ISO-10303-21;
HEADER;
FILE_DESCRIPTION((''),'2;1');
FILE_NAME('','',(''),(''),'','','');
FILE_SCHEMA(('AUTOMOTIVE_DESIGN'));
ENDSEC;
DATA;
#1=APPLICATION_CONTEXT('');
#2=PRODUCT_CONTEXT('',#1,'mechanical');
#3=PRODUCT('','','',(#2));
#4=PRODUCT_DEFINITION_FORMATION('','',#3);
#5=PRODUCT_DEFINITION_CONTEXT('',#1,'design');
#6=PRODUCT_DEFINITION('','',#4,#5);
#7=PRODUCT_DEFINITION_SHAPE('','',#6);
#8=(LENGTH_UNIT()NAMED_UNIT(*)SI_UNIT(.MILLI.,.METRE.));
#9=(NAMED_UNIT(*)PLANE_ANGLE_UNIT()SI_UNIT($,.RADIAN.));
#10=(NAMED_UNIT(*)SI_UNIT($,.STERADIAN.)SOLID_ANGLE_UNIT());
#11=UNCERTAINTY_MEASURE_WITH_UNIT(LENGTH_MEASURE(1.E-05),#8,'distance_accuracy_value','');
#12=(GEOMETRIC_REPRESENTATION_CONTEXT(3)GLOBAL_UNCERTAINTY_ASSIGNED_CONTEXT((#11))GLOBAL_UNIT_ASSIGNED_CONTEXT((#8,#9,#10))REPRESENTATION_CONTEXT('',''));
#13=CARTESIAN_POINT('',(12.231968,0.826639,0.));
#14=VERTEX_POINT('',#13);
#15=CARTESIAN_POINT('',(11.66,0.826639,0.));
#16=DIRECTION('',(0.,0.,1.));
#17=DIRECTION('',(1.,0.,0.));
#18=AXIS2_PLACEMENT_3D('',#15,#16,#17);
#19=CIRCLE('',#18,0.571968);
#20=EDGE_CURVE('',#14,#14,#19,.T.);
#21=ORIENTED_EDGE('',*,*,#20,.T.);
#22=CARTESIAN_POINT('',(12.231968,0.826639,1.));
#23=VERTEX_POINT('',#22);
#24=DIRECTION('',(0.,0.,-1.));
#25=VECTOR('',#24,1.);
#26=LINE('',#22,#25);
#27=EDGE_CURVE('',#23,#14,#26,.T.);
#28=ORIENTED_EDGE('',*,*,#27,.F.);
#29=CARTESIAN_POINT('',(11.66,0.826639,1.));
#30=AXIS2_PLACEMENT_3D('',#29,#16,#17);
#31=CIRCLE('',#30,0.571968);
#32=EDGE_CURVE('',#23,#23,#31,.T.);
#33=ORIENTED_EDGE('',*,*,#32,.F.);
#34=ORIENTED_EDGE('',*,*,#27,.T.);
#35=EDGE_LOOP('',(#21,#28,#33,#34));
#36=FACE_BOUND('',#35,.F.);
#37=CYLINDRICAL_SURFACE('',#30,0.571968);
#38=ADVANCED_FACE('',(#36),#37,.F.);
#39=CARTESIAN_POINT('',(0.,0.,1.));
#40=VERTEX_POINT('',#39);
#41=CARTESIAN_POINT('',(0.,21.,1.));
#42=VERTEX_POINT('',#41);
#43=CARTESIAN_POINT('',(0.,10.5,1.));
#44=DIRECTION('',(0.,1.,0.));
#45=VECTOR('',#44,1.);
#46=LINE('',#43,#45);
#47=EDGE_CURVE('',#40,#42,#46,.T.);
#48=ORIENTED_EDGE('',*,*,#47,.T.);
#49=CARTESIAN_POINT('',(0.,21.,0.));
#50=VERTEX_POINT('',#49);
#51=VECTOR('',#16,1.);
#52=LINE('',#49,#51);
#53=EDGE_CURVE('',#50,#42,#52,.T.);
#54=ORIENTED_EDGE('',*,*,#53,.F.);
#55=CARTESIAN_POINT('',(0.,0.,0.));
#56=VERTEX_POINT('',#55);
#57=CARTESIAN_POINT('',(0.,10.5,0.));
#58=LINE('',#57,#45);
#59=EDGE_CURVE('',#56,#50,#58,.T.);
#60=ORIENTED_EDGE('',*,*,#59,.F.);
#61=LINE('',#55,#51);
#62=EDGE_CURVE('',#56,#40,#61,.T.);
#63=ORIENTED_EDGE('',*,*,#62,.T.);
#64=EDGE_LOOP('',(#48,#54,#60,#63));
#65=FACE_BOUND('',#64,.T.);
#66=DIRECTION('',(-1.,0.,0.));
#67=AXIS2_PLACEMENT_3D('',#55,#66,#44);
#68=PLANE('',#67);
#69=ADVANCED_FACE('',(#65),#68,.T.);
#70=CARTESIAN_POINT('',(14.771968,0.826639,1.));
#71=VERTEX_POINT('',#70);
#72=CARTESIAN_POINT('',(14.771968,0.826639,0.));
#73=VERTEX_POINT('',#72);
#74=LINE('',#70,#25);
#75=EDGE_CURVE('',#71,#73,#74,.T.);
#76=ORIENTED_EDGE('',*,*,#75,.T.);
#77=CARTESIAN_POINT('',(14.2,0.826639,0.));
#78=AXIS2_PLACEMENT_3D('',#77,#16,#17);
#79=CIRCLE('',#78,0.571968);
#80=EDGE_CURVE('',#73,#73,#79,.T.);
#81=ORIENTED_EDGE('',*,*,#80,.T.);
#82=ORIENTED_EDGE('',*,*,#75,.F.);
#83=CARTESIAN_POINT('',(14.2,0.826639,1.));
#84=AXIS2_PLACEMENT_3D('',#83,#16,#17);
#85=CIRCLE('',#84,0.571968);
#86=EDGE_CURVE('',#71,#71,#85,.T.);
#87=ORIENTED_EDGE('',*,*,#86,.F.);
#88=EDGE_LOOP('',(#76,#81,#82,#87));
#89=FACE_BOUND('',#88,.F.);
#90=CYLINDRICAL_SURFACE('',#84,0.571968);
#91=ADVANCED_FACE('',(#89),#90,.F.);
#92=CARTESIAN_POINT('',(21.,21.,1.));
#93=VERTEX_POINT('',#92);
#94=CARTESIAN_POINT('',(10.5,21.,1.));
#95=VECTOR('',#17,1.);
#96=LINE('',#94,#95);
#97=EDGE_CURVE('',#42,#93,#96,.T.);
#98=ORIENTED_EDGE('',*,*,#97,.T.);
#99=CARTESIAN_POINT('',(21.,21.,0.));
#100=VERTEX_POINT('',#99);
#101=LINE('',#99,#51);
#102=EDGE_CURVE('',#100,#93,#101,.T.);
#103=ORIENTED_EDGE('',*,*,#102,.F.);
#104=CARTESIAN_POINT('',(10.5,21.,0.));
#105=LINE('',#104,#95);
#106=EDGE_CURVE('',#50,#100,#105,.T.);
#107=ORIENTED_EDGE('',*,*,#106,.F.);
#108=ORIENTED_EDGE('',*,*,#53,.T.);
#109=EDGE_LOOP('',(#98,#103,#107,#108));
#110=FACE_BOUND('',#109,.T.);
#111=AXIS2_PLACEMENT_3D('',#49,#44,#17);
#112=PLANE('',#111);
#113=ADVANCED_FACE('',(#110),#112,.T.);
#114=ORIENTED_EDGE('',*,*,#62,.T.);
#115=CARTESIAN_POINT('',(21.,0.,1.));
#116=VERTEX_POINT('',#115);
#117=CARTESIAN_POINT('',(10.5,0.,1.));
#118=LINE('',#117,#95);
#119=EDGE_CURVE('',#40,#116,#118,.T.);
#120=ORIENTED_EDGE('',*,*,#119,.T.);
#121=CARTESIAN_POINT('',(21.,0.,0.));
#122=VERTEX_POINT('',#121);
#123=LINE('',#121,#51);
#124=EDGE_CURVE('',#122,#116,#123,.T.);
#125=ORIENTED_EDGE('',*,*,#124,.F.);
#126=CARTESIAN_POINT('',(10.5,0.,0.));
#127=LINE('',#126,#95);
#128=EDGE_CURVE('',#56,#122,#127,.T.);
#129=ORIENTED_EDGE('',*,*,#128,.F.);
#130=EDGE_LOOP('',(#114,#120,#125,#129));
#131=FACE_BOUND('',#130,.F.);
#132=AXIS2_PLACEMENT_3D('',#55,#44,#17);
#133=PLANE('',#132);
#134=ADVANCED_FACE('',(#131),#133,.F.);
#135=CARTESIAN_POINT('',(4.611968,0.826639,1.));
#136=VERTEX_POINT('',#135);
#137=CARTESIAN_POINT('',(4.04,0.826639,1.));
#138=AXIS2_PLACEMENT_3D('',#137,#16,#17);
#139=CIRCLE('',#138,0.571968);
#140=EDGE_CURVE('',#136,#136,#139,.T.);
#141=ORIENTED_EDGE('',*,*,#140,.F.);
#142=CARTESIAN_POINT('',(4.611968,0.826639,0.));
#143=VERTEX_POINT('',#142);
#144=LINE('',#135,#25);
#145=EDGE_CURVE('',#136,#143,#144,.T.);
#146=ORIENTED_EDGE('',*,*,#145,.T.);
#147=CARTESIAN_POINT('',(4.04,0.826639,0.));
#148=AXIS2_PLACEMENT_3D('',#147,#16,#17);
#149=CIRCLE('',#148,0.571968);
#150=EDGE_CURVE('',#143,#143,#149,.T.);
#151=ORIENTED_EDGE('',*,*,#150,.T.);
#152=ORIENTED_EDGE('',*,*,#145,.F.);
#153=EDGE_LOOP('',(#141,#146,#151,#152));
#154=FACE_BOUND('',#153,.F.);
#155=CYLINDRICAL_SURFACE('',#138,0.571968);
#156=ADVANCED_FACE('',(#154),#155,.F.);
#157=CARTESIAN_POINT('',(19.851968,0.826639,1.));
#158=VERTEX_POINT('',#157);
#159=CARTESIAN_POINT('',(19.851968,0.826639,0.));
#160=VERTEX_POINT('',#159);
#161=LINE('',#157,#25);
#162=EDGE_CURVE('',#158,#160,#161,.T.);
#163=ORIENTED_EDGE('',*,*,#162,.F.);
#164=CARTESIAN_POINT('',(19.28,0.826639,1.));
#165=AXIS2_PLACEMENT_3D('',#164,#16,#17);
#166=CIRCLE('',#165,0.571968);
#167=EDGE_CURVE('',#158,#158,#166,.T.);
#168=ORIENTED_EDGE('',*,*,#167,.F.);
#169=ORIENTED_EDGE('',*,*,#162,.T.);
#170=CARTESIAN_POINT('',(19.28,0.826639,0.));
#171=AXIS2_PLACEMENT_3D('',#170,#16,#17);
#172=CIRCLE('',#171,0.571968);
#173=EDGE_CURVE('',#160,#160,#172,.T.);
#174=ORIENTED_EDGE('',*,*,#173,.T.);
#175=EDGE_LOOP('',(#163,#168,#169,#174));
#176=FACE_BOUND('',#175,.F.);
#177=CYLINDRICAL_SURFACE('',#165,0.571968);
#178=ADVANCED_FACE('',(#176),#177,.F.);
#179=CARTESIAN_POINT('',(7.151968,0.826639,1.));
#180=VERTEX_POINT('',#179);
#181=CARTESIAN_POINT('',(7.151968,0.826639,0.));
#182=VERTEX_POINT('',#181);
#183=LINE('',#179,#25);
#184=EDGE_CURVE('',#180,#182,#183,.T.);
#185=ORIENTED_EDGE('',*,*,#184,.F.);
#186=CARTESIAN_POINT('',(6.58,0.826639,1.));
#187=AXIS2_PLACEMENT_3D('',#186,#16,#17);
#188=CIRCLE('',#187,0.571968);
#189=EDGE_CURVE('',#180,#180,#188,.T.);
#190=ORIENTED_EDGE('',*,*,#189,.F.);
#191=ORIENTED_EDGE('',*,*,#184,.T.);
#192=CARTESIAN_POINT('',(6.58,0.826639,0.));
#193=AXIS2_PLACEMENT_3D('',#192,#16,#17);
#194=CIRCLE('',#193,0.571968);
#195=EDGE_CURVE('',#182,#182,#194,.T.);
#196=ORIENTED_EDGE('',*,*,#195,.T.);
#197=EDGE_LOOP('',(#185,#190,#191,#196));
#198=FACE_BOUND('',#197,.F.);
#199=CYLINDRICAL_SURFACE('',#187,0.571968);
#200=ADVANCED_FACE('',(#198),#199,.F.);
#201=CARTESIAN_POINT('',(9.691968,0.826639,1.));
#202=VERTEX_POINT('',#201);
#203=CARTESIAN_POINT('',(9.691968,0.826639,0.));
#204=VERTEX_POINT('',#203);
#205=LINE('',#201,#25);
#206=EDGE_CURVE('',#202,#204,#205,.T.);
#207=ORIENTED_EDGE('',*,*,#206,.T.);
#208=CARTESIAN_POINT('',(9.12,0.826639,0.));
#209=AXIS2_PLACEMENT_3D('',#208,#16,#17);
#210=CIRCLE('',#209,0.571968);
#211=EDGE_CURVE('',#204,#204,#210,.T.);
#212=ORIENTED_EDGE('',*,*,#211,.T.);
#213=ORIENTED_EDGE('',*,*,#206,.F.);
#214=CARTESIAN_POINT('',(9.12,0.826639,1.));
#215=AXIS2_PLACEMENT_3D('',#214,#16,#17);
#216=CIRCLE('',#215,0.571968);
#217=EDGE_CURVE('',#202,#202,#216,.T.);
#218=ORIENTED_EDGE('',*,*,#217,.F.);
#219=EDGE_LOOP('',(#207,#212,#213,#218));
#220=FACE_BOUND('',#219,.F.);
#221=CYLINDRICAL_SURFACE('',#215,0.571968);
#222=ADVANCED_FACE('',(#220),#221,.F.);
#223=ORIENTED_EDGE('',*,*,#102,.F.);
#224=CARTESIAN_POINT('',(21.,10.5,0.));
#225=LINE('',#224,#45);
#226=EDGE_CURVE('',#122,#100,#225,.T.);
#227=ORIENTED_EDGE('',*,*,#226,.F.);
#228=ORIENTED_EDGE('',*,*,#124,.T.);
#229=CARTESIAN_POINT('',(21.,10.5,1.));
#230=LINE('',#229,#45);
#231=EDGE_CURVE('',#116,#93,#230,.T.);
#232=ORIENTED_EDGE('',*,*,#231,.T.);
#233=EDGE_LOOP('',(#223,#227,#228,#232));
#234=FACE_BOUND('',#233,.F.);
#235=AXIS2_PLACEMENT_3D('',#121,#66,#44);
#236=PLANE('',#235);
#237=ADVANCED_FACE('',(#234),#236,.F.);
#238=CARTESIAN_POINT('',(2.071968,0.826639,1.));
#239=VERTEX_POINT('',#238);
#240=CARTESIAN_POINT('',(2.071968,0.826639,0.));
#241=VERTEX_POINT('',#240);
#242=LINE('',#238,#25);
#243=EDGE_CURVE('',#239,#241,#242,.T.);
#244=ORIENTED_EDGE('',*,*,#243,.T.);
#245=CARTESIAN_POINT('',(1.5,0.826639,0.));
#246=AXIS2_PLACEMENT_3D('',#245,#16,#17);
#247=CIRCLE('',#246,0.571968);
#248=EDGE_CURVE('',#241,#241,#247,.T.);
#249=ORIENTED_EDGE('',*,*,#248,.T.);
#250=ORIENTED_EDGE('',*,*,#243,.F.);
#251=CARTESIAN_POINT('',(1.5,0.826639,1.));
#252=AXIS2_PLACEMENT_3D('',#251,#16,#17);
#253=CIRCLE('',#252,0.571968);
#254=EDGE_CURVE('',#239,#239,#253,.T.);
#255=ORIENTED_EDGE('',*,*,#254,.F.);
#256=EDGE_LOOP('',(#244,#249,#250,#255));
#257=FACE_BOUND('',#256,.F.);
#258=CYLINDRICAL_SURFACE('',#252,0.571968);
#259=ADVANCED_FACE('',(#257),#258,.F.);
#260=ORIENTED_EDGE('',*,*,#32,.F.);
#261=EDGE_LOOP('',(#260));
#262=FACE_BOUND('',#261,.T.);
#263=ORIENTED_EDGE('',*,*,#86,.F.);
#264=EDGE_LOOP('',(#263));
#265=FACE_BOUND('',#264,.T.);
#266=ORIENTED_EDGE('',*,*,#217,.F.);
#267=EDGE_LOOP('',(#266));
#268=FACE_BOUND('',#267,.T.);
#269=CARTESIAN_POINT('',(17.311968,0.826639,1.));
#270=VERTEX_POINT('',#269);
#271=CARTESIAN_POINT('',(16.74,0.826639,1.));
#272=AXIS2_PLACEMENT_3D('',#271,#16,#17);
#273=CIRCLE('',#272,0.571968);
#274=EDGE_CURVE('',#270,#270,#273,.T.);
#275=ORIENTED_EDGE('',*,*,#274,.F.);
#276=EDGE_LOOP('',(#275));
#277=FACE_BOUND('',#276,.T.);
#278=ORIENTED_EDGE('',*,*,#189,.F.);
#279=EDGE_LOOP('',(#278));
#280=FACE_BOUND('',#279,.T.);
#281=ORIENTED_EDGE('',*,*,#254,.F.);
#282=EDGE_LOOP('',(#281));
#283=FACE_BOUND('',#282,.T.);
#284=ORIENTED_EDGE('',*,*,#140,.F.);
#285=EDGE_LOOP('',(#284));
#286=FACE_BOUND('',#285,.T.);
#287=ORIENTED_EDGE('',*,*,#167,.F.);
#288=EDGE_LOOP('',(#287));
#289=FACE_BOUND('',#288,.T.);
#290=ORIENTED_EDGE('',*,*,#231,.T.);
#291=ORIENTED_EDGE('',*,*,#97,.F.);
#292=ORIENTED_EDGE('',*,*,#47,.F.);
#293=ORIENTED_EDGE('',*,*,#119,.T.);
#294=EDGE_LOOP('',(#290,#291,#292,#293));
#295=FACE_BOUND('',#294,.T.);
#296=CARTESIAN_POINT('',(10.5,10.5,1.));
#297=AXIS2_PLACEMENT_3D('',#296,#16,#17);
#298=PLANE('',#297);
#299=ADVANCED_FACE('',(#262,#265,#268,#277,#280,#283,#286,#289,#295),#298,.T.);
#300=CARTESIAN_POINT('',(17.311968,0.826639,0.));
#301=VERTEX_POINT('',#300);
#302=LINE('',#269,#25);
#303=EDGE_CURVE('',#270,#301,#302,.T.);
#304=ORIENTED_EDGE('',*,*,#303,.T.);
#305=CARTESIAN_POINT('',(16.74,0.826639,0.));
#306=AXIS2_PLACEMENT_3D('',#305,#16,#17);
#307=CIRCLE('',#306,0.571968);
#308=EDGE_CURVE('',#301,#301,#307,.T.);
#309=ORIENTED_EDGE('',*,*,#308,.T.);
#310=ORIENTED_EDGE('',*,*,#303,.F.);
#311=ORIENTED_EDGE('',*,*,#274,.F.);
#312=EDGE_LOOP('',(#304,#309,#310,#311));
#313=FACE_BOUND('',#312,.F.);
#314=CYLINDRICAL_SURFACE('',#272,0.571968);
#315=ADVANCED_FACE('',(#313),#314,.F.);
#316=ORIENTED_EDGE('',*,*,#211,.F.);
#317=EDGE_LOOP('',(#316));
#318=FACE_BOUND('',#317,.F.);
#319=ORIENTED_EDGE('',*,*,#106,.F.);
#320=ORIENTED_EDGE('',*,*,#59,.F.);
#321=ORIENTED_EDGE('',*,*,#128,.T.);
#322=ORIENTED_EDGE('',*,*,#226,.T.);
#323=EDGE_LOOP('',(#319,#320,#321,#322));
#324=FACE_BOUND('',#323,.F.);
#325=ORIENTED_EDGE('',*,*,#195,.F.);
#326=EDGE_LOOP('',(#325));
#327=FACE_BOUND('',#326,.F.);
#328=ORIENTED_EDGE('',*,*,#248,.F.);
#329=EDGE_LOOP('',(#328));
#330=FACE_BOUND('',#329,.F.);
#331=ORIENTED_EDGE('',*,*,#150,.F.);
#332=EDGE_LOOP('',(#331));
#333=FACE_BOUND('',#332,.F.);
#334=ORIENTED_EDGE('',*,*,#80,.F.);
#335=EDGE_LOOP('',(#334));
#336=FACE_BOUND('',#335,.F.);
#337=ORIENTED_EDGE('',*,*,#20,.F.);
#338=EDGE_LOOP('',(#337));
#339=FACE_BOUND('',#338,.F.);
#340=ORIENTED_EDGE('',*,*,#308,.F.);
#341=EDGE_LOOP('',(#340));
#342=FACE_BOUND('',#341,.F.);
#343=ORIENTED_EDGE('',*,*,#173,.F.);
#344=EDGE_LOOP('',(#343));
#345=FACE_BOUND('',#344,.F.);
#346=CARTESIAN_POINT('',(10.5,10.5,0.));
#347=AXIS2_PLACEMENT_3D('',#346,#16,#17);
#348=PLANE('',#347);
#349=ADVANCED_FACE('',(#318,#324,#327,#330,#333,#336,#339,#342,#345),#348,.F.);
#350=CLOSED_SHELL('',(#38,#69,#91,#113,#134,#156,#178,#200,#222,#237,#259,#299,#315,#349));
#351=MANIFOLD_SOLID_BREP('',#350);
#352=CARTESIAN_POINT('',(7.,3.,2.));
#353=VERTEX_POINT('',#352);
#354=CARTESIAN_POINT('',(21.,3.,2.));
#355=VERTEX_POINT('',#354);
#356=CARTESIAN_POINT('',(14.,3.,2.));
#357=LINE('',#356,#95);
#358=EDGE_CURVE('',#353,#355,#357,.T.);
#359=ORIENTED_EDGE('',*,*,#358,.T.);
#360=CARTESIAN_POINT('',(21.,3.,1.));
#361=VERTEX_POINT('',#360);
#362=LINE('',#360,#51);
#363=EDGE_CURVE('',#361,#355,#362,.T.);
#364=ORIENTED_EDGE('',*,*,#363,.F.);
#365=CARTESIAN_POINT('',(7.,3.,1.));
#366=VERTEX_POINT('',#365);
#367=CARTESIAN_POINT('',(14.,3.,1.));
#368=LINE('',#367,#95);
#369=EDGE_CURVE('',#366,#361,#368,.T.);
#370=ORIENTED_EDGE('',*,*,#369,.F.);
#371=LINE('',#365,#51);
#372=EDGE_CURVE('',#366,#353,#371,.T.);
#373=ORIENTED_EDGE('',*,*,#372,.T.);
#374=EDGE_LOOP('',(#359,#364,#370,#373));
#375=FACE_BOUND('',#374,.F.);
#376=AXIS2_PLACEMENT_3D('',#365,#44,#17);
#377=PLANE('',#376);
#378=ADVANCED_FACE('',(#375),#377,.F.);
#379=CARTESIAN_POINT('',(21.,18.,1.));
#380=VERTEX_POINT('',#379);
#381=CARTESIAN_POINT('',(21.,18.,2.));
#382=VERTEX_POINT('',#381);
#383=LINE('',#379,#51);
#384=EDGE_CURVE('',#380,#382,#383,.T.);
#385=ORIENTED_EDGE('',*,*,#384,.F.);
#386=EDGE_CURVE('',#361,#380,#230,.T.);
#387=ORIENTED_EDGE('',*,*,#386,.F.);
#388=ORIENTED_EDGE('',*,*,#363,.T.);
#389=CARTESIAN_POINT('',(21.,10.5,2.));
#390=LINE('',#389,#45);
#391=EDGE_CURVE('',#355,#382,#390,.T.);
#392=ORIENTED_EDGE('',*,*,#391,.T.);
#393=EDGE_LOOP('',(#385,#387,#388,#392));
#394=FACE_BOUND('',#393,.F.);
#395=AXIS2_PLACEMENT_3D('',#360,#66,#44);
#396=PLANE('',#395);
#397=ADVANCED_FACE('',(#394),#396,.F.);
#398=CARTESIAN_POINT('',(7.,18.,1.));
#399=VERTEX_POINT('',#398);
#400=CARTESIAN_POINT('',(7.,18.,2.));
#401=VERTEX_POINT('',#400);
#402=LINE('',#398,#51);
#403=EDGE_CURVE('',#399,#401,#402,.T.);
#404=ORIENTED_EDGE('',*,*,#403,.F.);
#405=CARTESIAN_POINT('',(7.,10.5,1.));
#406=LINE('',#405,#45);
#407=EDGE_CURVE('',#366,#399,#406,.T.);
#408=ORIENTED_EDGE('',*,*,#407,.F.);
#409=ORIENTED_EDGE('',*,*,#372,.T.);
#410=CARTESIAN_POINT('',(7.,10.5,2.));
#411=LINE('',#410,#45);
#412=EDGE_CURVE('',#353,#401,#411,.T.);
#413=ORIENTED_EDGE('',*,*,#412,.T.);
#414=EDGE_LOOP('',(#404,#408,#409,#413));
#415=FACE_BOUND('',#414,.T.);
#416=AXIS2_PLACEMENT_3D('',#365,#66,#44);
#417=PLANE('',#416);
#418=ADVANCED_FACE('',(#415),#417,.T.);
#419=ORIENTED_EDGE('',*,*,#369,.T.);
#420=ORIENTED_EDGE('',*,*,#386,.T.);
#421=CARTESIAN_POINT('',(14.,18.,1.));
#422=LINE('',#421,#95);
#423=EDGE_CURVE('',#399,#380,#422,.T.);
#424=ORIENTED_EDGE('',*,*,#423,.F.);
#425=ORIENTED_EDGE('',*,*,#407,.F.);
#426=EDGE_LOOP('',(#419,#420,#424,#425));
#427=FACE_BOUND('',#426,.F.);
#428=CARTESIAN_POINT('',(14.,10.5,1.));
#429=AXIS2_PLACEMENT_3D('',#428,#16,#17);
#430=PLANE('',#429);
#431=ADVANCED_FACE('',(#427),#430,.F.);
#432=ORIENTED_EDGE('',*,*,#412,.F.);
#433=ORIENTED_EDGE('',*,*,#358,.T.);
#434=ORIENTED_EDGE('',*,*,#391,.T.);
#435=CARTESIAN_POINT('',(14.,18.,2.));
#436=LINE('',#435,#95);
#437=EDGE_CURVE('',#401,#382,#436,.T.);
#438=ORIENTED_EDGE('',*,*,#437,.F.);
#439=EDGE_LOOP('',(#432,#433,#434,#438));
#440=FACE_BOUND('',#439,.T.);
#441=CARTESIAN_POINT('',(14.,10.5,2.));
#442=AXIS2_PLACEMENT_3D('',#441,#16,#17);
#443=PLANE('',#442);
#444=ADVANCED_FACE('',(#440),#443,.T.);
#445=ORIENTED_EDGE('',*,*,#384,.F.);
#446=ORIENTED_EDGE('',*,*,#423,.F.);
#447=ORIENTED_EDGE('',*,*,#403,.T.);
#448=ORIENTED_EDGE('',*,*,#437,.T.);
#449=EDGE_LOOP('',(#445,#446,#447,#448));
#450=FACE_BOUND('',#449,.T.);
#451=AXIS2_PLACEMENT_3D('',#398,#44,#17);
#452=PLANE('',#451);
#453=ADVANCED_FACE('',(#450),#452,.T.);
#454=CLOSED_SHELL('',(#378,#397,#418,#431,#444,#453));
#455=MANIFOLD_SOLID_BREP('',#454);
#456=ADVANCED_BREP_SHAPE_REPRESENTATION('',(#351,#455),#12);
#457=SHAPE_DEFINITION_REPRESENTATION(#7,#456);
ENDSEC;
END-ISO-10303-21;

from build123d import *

# Parameters (mm, degrees)
SKETCH1_W           = 21
SKETCH1_H           = 21
BOSS_EXTRUDE1_DEPTH = 1
SKETCH2_W           = 14
SKETCH2_H           = 15
BOSS_EXTRUDE2_DEPTH = 1
SKETCH3_R           = 0.571967696
CUT_EXTRUDE1_DEPTH  = 1
LPATTERN1_COUNT     = 8
LPATTERN1_PITCH     = 2.54


with BuildPart() as part:
    # Sketch1 → Boss-Extrude1 (new body)
    with BuildSketch(Plane.XY):
        with Locations((10.5, 10.5)):
            Rectangle(SKETCH1_W, SKETCH1_H)
    extrude(amount=BOSS_EXTRUDE1_DEPTH)

    # Sketch3 → Cut-Extrude1 (cut)
    with BuildSketch(Plane.XY.offset(1)):
        with Locations((1.5, 0.826638996)):
            Circle(SKETCH3_R)
    cut_extrude1 = extrude(amount=-CUT_EXTRUDE1_DEPTH, mode=Mode.SUBTRACT)

    # LPattern1: Cut-Extrude1 ×8
    with Locations(*[(i * LPATTERN1_PITCH, 0, 0) for i in range(1, LPATTERN1_COUNT)]):
        add(cut_extrude1, mode=Mode.SUBTRACT)


with BuildPart() as body_2:
    # Sketch2 → Boss-Extrude2 (new body)
    with BuildSketch(Plane.XY.offset(1)):
        with Locations((14, 10.5)):
            Rectangle(SKETCH2_W, SKETCH2_H)
    extrude(amount=BOSS_EXTRUDE2_DEPTH)


solid = Compound([part.part, body_2.part])
